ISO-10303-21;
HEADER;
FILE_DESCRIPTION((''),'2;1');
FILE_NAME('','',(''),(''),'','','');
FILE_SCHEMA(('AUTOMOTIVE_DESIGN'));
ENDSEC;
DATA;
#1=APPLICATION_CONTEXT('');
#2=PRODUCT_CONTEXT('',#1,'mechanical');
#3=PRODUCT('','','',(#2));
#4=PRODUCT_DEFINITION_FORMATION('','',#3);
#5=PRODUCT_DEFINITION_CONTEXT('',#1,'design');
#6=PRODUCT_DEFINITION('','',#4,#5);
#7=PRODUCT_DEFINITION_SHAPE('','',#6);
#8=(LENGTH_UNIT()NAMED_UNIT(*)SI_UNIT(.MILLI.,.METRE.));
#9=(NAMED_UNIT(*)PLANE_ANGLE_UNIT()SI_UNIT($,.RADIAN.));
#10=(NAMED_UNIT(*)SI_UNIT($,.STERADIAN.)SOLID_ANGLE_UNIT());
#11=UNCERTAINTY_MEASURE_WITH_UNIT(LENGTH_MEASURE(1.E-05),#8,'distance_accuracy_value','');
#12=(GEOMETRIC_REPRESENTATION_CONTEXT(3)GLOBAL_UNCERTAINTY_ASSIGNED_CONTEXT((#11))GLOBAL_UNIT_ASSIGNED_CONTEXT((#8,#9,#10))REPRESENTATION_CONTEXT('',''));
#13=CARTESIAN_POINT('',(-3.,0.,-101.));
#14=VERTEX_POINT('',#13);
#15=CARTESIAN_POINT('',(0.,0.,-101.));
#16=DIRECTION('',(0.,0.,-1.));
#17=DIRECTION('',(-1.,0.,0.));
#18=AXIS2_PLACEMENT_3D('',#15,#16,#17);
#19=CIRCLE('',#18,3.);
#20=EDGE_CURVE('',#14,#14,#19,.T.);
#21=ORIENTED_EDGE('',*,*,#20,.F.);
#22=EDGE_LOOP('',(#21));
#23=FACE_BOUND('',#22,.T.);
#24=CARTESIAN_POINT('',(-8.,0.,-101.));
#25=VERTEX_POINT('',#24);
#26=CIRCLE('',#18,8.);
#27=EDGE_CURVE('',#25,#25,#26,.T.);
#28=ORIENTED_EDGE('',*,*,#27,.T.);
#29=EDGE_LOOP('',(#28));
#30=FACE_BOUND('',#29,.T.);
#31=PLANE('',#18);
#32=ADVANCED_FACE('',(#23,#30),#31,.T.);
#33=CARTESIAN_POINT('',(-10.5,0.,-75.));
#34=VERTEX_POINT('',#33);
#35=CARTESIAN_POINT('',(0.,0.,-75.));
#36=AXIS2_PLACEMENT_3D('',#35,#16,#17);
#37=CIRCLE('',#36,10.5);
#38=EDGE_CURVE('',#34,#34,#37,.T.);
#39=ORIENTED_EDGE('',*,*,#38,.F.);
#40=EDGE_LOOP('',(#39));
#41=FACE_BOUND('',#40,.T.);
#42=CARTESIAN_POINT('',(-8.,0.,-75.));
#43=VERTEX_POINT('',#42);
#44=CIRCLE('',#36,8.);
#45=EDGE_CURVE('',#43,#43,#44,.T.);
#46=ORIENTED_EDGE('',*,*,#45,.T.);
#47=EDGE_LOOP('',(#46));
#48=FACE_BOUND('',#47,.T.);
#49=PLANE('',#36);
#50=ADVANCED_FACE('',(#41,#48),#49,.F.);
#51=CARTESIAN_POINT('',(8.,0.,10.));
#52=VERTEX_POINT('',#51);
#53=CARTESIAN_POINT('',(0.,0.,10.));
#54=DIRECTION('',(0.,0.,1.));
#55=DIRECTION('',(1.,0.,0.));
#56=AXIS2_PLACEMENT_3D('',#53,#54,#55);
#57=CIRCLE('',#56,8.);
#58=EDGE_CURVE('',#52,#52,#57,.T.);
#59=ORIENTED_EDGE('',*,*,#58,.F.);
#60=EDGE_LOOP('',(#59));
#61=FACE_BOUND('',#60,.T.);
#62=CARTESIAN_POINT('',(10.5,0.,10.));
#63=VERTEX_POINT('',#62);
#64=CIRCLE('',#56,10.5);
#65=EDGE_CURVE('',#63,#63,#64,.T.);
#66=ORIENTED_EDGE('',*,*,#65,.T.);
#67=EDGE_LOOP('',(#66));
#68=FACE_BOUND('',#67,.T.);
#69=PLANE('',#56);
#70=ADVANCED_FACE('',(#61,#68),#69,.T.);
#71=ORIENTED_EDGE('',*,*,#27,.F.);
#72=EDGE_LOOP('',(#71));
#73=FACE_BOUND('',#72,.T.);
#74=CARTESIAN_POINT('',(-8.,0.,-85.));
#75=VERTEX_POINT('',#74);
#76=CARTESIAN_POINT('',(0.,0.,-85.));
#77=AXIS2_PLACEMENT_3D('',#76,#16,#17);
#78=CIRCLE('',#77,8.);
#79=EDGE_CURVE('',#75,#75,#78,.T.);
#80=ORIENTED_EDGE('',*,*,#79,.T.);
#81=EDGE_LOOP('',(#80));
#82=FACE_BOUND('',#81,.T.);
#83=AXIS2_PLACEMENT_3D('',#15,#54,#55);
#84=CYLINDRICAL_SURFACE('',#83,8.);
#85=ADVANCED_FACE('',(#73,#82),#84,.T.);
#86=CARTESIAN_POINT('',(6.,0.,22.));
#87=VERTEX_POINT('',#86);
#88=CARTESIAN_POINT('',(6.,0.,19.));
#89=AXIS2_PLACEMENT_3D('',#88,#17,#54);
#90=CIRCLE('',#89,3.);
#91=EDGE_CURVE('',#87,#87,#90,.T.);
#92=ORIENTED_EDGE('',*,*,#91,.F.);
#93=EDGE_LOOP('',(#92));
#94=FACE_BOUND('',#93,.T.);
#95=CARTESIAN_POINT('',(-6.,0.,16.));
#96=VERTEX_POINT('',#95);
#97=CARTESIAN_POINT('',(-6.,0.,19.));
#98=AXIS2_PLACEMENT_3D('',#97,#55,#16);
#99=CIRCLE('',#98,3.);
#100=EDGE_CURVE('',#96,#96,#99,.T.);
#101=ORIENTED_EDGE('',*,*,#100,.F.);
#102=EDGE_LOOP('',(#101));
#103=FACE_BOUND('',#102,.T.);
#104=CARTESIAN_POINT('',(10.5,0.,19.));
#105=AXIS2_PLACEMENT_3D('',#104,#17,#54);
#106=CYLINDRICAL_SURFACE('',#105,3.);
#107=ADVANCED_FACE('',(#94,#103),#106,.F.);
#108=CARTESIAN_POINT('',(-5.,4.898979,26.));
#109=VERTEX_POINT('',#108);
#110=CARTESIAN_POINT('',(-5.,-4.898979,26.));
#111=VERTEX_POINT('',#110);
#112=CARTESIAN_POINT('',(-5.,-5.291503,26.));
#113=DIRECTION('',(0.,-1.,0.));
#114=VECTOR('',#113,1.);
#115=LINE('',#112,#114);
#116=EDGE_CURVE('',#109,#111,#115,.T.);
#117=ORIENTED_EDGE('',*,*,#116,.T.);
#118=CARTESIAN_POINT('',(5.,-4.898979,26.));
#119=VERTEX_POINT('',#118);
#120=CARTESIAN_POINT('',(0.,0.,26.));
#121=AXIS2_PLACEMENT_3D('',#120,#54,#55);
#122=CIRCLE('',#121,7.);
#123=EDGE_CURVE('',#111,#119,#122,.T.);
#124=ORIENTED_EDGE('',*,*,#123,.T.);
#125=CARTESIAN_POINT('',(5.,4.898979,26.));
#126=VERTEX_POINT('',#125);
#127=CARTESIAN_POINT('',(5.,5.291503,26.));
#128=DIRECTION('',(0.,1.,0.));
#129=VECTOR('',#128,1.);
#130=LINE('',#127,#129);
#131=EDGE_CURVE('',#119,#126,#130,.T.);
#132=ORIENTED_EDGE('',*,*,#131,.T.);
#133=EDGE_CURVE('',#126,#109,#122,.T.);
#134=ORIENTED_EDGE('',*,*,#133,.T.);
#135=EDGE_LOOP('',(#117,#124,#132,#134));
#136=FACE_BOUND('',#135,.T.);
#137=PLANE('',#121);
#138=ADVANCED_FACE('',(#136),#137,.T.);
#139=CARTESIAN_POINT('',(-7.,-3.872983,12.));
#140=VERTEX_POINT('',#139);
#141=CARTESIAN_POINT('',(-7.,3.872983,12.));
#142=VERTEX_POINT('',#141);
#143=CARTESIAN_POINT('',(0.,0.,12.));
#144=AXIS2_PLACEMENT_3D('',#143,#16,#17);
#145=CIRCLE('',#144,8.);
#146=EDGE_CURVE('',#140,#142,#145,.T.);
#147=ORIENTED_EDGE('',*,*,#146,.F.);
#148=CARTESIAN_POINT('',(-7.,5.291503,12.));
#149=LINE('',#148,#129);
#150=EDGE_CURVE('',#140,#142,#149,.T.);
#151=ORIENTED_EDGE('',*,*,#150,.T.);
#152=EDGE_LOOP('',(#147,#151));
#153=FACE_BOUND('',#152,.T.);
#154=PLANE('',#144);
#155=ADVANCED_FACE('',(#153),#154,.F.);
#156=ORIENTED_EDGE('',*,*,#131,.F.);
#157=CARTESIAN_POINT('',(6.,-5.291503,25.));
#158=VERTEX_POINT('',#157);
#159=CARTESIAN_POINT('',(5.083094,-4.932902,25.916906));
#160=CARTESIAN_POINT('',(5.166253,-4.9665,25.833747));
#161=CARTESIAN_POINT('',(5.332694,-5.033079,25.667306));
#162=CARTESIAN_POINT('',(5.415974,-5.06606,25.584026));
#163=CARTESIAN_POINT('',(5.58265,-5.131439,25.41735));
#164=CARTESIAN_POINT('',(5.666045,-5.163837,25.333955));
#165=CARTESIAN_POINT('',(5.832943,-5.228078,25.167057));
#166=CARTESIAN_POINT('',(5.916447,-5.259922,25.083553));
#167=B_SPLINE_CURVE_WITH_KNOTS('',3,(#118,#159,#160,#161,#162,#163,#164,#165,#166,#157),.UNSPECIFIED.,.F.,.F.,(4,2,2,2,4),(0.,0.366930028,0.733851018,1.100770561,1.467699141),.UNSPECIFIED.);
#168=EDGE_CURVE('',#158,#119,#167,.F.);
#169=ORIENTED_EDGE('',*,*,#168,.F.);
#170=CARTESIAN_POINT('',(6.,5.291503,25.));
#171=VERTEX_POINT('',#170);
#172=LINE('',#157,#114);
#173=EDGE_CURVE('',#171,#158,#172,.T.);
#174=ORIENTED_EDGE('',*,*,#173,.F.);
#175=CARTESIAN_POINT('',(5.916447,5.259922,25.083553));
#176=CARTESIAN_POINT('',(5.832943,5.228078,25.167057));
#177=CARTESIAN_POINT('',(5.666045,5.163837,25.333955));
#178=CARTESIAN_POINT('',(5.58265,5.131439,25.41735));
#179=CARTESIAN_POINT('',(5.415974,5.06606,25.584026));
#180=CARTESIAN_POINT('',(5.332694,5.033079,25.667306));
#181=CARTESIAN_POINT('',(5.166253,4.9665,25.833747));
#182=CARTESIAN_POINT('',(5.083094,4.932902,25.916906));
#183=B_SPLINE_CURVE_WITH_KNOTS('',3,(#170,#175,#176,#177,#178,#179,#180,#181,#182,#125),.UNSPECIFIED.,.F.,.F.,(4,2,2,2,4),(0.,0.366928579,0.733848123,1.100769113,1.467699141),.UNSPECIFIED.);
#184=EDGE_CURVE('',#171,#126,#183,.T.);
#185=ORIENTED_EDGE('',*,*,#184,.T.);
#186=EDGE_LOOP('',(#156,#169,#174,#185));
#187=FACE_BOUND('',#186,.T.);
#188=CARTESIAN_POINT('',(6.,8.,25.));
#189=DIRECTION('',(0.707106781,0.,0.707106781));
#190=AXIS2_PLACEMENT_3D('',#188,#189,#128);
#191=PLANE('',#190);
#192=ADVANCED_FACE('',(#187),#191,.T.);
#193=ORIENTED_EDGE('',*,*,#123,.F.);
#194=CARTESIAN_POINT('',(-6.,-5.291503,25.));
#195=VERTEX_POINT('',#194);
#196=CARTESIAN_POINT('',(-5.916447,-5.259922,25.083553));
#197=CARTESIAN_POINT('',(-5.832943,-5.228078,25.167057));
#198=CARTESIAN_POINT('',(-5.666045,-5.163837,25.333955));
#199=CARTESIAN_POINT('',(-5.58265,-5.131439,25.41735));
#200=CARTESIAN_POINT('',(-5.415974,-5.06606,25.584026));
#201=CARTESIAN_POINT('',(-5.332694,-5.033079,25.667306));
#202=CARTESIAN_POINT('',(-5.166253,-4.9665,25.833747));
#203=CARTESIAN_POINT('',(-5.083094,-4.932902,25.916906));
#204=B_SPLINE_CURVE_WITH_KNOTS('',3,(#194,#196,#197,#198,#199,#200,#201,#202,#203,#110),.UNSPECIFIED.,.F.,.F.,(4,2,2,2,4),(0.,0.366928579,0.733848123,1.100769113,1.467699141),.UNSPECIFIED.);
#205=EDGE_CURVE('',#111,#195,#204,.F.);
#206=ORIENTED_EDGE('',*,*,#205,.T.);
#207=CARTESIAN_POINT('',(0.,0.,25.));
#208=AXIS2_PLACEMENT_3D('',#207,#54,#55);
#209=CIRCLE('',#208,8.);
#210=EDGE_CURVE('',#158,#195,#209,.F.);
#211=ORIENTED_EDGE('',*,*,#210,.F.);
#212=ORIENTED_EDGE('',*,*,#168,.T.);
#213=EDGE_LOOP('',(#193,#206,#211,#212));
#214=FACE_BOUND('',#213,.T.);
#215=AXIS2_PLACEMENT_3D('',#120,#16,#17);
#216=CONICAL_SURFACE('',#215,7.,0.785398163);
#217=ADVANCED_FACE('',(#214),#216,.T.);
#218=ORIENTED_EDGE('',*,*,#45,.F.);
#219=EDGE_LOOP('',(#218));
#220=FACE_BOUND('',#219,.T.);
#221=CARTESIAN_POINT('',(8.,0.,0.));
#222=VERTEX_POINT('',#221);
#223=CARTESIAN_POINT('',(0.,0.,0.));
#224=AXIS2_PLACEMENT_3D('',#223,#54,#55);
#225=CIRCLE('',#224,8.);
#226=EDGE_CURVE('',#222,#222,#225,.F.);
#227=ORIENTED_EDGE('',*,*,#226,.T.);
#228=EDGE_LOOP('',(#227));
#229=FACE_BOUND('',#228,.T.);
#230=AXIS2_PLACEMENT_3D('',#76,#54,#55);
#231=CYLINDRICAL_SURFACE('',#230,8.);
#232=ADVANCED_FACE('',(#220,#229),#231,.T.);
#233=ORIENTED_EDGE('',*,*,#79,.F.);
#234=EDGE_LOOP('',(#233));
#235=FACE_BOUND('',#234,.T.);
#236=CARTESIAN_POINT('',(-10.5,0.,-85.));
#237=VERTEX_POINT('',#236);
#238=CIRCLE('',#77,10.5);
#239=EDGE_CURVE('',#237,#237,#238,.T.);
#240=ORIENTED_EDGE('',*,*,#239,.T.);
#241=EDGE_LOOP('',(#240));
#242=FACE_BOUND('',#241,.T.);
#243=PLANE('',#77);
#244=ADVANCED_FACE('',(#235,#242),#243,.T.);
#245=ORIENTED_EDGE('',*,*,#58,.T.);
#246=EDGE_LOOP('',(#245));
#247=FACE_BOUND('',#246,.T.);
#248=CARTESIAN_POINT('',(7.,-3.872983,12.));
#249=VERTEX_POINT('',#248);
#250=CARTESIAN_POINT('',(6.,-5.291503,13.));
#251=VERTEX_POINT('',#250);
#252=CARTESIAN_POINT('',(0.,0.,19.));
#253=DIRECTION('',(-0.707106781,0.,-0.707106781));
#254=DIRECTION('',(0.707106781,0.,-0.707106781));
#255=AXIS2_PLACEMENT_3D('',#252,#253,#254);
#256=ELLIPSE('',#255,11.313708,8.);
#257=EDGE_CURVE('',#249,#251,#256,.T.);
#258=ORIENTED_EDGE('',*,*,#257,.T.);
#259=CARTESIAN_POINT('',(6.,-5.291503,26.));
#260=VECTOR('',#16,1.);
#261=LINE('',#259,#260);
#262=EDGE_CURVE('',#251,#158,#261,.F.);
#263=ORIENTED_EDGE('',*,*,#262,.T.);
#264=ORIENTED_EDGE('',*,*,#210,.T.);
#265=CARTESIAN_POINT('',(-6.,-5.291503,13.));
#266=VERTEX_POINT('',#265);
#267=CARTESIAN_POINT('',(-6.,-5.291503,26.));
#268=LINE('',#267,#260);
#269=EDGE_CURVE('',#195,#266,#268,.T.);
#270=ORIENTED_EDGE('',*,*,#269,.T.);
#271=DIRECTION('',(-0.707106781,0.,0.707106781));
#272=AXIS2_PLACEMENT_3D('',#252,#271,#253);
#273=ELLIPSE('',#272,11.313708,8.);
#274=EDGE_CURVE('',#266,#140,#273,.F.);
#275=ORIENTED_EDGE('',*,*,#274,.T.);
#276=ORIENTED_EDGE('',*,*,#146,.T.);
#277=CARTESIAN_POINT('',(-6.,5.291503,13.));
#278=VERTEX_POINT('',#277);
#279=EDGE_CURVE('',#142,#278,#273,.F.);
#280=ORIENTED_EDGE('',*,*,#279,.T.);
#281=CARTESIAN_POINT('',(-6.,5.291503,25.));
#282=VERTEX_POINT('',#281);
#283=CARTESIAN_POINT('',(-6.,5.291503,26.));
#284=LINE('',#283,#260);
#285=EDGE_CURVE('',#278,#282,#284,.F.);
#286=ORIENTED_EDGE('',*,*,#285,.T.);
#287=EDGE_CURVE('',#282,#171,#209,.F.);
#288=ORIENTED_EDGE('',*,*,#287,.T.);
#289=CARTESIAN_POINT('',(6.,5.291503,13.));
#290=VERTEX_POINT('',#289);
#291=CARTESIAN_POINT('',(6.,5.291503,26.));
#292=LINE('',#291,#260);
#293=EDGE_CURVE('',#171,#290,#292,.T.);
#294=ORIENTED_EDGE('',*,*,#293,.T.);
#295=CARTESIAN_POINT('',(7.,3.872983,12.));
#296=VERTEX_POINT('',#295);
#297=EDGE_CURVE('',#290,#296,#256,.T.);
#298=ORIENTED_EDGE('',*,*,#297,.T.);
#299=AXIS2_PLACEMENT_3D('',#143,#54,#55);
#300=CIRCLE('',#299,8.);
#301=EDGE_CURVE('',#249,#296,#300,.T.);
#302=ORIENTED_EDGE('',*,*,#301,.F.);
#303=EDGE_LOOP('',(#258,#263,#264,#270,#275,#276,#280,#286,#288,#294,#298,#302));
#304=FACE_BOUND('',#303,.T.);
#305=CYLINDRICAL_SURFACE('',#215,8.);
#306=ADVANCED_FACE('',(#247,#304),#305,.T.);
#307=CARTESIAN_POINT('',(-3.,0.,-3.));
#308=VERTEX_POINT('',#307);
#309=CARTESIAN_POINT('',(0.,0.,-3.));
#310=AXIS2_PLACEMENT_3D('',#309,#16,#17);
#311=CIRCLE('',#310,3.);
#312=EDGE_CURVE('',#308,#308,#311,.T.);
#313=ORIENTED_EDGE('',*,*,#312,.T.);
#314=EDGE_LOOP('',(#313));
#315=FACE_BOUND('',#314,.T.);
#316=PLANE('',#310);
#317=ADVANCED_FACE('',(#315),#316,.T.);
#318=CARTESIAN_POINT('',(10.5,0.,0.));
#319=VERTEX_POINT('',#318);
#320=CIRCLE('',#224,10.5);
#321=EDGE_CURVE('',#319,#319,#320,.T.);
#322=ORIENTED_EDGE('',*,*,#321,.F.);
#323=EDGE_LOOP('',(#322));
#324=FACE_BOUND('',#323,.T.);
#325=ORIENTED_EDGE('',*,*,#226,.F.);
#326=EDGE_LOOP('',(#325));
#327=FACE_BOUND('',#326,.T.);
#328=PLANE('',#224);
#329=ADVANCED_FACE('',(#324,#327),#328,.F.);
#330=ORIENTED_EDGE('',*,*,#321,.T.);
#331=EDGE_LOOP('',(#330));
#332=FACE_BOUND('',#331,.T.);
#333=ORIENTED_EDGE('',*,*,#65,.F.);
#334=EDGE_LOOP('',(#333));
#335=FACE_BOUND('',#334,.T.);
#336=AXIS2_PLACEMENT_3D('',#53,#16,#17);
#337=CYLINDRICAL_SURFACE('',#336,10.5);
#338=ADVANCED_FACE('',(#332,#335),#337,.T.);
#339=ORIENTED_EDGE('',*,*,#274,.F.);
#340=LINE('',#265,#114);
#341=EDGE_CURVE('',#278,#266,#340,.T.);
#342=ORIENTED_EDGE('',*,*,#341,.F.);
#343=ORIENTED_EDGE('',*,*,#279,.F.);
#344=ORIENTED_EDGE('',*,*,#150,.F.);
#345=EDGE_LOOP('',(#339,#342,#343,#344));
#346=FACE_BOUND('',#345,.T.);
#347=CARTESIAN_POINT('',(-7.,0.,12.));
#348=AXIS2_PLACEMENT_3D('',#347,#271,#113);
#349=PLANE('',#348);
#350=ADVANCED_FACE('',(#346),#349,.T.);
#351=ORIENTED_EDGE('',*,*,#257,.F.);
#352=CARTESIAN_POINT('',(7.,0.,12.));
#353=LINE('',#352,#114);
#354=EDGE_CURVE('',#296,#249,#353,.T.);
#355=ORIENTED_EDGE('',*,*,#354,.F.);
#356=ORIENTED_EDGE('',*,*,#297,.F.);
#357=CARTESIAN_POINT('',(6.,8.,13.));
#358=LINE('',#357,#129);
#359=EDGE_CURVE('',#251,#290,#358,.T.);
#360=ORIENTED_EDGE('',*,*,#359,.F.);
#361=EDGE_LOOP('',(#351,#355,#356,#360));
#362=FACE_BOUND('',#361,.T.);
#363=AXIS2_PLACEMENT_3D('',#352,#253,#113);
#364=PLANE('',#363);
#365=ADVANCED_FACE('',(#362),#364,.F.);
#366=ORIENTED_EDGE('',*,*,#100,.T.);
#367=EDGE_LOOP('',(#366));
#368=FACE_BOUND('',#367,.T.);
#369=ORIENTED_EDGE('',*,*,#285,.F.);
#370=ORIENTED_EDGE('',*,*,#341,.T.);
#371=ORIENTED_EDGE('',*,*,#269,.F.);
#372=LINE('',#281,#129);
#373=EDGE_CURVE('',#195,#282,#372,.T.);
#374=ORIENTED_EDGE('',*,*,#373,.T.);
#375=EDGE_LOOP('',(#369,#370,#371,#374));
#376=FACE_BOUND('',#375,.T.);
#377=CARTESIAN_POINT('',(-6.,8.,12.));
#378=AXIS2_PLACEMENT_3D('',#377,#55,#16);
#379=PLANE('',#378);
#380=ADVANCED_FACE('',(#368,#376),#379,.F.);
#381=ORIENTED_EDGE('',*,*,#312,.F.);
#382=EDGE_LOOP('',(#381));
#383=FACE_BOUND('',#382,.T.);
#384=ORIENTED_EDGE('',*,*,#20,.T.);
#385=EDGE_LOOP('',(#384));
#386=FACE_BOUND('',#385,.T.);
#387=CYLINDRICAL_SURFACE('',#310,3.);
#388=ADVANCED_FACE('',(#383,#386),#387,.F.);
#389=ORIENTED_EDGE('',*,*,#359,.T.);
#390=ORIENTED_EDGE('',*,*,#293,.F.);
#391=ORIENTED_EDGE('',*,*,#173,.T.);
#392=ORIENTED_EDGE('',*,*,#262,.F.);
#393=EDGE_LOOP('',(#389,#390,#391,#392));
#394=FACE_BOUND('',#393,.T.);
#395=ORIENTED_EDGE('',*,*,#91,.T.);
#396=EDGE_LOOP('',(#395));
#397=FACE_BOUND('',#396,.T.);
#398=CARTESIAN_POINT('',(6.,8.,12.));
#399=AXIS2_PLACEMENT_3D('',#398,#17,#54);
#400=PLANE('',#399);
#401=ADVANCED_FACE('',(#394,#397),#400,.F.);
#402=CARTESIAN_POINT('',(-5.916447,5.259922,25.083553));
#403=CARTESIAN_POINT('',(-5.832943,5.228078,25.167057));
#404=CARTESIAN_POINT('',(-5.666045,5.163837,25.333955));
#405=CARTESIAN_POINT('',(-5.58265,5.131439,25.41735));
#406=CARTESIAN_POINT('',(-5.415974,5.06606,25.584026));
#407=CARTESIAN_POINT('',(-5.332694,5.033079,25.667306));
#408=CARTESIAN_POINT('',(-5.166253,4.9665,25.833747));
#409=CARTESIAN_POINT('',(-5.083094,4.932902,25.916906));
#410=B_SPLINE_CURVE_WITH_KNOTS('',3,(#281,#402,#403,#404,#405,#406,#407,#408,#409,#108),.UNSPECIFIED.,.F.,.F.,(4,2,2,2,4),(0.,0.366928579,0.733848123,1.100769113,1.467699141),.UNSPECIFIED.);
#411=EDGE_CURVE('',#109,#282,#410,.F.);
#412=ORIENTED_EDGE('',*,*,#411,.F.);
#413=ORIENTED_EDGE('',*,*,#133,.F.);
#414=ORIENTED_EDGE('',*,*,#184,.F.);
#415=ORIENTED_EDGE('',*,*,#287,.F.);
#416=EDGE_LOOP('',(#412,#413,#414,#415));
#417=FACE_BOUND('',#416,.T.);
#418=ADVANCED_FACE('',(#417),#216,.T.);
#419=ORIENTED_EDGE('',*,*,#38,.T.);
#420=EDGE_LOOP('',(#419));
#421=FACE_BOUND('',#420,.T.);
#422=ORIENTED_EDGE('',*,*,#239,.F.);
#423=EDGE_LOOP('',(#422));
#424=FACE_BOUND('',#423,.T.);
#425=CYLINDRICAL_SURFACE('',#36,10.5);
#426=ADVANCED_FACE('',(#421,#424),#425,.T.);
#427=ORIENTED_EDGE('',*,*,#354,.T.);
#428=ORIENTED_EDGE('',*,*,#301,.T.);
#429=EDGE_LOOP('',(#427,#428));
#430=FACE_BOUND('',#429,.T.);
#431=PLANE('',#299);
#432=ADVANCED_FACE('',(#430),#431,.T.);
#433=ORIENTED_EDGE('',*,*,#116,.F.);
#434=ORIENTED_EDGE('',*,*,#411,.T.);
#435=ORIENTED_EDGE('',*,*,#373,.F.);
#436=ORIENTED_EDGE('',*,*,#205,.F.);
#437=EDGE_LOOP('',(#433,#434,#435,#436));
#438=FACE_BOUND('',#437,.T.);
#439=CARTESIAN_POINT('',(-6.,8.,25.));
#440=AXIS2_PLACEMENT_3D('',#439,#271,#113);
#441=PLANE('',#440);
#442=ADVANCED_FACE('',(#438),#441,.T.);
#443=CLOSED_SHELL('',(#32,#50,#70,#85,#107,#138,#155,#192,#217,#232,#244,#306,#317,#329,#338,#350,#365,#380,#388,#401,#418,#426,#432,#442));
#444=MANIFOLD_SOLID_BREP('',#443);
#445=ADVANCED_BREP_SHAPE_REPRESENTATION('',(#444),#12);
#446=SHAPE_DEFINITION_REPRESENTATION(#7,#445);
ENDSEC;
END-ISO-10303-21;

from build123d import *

# Parameters (mm, degrees)
ESQUISSE1_R                  = 10.5
BOSS_EXTRU_1_DEPTH           = 10
ESQUISSE2_R                  = 8
BOSS_EXTRU_2_DEPTH           = 16
ESQUISSE3_W                  = 2
ESQUISSE3_H                  = 16
ENL_V_MAT_EXTRU_1_DEPTH      = 14
CHANFREIN1_SIZE              = 1
ENL_V_MAT_EXTRU_2_DEPTH      = 33.53459697
ENL_V_MAT_EXTRU_2_DEPTH_BACK = 33.53459697
ESQUISSE4_R                  = 3
BOSS_EXTRU_3_START           = 85
ESQUISSE5_R                  = 8
BOSS_EXTRU_3_DEPTH           = 85
ESQUISSE6_R                  = 10.5
BOSS_EXTRU_4_DEPTH           = 10
BOSS_EXTRU_5_START           = 16
ESQUISSE7_R                  = 8
BOSS_EXTRU_5_DEPTH           = 16
ESQUISSE8_R                  = 3
ENL_V_MAT_EXTRU_3_DEPTH      = 98


with BuildPart() as part:
    # Esquisse1 → Boss.-Extru.1 (new body)
    with BuildSketch(Plane.XY):
        Circle(ESQUISSE1_R)
    extrude(amount=BOSS_EXTRU_1_DEPTH)

    # Esquisse2 → Boss.-Extru.2 (add)
    with BuildSketch(Plane.XY.offset(10)):
        Circle(ESQUISSE2_R)
    extrude(amount=BOSS_EXTRU_2_DEPTH)

    # Esquisse3 → Enlèv. mat.-Extru.1 (cut)
    with BuildSketch(Plane.XY.offset(26)):
        with Locations((-7, 0)):
            Rectangle(ESQUISSE3_W, ESQUISSE3_H)
        with Locations((7, 0)):
            Rectangle(ESQUISSE3_W, ESQUISSE3_H)
    extrude(amount=-ENL_V_MAT_EXTRU_1_DEPTH, mode=Mode.SUBTRACT)

    # Chanfrein1
    chanfrein1_edges = [part.edges().sort_by_distance(p)[0] for p in [
        (0, -8, 26),
        (-6, 0, 26),
        (-6, 0, 12),
        (0, 8, 26),
        (6, 0, 26),
        (6, 0, 12),
    ]]
    chamfer(chanfrein1_edges, length=CHANFREIN1_SIZE)

    # Esquisse4 → Enlèv. mat.-Extru.2 (cut, two sides: drawn at the far end of the back side and taken through both)
    with BuildSketch(Plane.ZY.offset(6).offset(-ENL_V_MAT_EXTRU_2_DEPTH_BACK)):
        with Locations((19, 0)):
            Circle(ESQUISSE4_R)
    extrude(amount=ENL_V_MAT_EXTRU_2_DEPTH + ENL_V_MAT_EXTRU_2_DEPTH_BACK, mode=Mode.SUBTRACT)

    # Esquisse5 → Boss.-Extru.3 (add)
    with BuildSketch(Plane(origin=(0, 0, 0), x_dir=(-1, 0, 0), z_dir=(0, 0, -1)).offset(BOSS_EXTRU_3_START)):
        with Locations(Location((0, 0, 0), (0, 0, 28.955024372))):
            Circle(ESQUISSE5_R)
    extrude(amount=-BOSS_EXTRU_3_DEPTH)

    # Esquisse6 → Boss.-Extru.4 (add)
    with BuildSketch(Plane(origin=(0, 0, -85), x_dir=(-1, 0, 0), z_dir=(0, 0, -1))):
        with Locations(Location((0, 0, 0), (0, 0, 180))):
            Circle(ESQUISSE6_R)
    extrude(amount=-BOSS_EXTRU_4_DEPTH)

    # Esquisse7 → Boss.-Extru.5 (add)
    with BuildSketch(Plane(origin=(0, 0, -85), x_dir=(-1, 0, 0), z_dir=(0, 0, -1)).offset(BOSS_EXTRU_5_START)):
        with Locations(Location((0, 0, 0), (0, 0, 180))):
            Circle(ESQUISSE7_R)
    extrude(amount=-BOSS_EXTRU_5_DEPTH)

    # Esquisse8 → Enlèv. mat.-Extru.3 (cut)
    with BuildSketch(Plane(origin=(0, 0, -101), x_dir=(-1, 0, 0), z_dir=(0, 0, -1))):
        Circle(ESQUISSE8_R)
    extrude(amount=-ENL_V_MAT_EXTRU_3_DEPTH, mode=Mode.SUBTRACT)


solid = part.part
